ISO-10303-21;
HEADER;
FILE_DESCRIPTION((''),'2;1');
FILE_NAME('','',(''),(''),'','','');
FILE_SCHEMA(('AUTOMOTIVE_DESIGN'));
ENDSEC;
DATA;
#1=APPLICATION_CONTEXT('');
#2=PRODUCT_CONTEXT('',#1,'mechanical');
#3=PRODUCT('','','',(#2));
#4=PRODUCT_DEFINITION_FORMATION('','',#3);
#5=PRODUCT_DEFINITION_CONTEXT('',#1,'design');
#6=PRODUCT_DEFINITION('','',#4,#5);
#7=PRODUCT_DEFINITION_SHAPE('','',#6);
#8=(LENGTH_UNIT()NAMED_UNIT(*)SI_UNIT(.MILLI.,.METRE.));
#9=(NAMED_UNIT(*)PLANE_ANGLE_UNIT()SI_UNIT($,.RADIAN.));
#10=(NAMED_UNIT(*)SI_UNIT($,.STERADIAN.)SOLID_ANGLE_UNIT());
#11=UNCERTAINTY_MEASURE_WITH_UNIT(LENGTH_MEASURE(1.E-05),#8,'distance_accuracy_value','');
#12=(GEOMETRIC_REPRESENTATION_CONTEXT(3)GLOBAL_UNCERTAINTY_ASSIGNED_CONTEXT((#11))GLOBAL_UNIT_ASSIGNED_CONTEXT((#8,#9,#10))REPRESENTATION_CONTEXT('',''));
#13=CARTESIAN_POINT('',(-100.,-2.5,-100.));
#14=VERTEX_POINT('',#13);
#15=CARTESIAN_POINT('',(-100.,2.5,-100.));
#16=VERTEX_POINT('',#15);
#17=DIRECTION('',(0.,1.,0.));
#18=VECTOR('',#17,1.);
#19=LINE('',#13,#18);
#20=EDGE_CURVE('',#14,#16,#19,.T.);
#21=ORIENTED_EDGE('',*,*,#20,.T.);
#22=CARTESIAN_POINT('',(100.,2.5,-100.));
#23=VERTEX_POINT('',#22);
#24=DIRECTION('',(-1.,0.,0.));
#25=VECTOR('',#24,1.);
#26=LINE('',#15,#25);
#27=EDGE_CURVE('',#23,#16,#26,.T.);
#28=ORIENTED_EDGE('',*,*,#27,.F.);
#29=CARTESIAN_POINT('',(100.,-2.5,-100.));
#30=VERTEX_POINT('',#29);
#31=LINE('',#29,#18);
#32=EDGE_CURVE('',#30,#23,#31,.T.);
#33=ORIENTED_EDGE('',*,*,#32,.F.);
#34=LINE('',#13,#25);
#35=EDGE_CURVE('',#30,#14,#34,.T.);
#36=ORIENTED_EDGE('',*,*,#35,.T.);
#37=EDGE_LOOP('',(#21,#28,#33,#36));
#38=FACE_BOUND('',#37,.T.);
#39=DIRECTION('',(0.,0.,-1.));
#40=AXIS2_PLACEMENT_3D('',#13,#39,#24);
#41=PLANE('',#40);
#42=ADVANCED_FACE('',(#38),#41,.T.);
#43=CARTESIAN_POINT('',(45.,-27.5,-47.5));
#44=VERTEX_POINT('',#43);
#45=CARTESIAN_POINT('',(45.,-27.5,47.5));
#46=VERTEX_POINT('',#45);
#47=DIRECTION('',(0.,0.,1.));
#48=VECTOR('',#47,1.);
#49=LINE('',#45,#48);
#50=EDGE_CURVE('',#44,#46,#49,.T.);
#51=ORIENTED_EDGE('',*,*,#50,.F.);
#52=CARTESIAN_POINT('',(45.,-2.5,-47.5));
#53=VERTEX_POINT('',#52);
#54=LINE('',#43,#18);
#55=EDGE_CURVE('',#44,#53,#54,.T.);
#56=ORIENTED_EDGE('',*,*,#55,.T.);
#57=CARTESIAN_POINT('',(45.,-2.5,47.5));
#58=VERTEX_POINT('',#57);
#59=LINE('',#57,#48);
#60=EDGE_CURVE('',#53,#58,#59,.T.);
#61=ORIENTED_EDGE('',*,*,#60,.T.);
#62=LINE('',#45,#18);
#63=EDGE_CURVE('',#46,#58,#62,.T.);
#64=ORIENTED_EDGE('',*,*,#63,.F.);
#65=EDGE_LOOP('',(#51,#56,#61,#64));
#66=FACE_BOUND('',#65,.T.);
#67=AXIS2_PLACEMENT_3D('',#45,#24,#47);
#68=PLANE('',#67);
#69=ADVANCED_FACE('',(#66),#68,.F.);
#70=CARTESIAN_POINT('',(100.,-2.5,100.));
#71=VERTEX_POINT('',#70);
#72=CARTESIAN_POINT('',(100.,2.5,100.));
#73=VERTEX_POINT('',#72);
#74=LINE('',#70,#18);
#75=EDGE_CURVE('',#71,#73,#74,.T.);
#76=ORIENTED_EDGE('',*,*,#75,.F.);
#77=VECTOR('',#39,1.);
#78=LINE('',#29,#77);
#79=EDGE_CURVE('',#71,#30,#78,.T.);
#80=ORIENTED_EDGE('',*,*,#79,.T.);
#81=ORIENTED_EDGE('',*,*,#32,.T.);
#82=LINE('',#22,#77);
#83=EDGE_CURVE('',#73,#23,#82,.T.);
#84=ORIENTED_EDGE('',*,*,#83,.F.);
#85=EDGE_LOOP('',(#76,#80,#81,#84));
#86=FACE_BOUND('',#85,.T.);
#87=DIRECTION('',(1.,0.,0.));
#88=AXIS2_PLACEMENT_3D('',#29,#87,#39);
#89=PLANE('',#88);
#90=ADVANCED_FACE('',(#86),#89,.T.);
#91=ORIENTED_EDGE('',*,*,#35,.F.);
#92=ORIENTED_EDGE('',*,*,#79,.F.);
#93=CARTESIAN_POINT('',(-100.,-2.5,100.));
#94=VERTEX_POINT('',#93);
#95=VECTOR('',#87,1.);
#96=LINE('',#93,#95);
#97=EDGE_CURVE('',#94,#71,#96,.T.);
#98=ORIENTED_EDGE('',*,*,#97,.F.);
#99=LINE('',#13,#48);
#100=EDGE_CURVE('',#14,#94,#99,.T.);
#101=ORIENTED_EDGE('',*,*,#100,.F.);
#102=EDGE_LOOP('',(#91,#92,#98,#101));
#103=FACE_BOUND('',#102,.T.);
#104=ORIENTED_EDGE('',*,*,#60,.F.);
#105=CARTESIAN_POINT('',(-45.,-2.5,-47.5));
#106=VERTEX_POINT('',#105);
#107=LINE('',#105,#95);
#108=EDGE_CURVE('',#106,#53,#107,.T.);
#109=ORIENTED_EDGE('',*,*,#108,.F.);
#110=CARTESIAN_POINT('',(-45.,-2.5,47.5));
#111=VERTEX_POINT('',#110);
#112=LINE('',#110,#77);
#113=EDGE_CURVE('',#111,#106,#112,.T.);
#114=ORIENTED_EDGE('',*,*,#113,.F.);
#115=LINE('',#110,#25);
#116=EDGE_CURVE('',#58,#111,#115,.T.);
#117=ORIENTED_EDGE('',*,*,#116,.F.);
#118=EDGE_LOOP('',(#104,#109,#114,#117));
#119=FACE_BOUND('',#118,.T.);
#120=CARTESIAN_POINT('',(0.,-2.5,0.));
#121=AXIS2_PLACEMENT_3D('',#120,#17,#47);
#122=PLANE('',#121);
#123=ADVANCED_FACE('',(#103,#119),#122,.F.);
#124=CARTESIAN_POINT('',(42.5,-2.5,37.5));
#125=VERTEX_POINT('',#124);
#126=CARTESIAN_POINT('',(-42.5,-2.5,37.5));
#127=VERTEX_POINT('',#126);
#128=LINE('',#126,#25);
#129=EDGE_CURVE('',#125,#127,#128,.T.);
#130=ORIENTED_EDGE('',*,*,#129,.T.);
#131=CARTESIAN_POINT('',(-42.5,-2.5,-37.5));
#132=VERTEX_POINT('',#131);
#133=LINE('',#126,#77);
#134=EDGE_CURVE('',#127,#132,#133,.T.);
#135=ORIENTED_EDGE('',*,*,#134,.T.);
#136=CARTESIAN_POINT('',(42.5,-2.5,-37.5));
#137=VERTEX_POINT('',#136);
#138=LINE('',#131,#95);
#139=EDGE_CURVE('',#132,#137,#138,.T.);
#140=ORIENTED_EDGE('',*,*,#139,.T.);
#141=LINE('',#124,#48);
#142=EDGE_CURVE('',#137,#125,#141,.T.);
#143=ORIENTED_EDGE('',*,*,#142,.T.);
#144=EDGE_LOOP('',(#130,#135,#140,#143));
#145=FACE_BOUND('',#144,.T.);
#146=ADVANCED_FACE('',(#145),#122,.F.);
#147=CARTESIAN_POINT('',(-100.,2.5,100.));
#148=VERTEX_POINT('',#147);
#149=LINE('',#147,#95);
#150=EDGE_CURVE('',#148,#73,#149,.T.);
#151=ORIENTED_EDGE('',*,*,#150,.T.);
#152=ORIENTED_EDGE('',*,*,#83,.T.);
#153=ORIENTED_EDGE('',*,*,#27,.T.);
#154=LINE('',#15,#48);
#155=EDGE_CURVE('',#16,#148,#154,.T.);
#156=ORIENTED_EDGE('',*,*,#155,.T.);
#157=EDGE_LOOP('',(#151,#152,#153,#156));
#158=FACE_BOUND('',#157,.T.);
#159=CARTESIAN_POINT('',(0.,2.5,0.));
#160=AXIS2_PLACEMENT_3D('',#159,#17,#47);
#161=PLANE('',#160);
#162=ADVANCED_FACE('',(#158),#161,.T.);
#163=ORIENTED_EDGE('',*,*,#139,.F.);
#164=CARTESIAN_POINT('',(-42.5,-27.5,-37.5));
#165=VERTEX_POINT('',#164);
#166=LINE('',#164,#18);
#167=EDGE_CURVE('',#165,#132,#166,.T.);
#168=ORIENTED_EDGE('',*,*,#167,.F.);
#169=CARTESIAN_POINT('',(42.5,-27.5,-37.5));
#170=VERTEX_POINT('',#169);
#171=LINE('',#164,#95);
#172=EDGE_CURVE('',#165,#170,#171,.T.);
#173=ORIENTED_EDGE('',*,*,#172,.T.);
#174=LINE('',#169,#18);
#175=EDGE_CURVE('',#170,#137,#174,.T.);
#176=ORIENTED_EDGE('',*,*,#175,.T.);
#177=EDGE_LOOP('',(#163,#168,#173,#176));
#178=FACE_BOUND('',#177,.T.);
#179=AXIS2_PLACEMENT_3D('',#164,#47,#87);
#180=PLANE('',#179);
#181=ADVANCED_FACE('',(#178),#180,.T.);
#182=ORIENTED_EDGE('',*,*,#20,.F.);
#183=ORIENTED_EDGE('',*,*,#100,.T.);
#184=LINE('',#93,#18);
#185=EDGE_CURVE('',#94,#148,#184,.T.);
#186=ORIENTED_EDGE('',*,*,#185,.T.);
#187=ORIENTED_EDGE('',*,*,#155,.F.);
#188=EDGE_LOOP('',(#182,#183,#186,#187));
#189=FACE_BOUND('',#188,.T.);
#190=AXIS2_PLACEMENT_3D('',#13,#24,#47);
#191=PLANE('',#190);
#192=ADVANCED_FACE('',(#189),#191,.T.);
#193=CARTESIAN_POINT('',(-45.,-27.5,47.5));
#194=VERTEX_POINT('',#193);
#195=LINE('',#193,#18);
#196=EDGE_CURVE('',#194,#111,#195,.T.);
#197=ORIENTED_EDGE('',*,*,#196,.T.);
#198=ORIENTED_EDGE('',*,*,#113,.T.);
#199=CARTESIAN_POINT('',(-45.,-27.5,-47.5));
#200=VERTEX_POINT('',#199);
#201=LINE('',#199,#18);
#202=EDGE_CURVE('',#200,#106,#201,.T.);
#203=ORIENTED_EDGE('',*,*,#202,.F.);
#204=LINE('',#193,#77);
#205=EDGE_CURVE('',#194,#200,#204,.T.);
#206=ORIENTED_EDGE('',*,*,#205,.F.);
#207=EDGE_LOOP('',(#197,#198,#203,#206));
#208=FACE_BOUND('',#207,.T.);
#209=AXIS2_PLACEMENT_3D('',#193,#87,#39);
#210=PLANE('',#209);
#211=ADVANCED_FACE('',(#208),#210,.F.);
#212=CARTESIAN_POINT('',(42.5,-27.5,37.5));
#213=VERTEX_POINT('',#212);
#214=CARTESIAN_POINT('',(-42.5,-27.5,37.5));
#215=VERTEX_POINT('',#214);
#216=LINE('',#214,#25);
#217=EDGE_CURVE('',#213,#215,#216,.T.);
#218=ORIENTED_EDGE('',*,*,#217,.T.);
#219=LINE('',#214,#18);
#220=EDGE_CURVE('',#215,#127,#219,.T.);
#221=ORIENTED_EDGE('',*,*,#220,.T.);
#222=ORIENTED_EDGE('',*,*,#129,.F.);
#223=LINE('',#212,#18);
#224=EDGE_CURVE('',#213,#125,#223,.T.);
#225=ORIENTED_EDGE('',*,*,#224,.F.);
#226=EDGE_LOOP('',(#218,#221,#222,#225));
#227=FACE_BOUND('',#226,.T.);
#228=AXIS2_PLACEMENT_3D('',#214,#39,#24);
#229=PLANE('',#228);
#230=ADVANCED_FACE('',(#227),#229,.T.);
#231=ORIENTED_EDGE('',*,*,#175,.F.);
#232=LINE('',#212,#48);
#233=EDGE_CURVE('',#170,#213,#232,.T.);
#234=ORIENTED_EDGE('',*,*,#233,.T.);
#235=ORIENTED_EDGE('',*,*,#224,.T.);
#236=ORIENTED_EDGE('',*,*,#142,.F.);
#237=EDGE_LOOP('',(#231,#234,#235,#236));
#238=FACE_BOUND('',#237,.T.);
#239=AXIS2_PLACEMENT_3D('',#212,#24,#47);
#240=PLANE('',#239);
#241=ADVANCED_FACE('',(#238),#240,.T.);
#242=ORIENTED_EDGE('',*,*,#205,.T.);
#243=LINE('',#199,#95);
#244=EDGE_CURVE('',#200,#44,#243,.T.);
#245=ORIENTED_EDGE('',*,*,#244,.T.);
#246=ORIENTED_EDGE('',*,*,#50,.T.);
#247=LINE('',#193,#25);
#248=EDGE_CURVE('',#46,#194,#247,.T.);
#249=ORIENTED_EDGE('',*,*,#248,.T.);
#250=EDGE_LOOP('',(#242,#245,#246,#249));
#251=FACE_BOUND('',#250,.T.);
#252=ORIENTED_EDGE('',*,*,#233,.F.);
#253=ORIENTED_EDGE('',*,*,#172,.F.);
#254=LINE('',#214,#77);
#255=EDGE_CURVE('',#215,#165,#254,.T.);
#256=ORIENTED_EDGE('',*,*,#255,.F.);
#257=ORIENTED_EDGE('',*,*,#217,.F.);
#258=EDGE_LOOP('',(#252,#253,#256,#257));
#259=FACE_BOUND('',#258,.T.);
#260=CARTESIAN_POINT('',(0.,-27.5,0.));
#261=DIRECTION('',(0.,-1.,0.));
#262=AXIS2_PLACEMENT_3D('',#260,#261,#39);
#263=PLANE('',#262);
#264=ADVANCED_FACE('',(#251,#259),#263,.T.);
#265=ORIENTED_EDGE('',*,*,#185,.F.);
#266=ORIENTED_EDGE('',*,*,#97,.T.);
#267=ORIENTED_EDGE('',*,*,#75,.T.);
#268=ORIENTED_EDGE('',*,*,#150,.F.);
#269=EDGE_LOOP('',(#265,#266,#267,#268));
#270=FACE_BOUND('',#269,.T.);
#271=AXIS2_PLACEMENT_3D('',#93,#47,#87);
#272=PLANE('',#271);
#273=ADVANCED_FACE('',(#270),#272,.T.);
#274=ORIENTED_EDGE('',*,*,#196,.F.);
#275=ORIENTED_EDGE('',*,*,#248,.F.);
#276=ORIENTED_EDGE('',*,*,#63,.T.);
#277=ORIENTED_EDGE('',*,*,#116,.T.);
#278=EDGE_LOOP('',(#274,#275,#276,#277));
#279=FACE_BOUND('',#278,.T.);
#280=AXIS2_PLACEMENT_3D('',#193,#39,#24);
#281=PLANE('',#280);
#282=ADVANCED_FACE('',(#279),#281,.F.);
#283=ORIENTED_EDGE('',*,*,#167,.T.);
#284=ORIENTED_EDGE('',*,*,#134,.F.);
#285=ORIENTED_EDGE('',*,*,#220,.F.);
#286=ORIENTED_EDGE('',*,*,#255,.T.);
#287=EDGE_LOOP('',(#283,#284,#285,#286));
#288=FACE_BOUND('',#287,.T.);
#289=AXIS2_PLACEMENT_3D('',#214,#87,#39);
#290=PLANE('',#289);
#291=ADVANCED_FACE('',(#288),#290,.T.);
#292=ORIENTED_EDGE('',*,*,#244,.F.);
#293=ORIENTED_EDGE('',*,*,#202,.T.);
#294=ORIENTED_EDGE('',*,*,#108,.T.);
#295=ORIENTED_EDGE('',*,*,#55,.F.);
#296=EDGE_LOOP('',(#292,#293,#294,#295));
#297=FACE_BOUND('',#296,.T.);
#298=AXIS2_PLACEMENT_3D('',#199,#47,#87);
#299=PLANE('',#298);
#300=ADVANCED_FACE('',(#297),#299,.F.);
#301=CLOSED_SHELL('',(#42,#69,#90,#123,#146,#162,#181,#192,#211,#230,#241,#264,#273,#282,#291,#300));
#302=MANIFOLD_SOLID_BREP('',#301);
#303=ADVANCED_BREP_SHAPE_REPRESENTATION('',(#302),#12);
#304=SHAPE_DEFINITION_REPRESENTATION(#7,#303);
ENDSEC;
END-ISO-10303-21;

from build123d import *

# Parameters (mm, degrees)
BASE_DEPTH          = 2.5
BASE_DEPTH_BACK     = 2.5
SKETCH1_W           = 200
SKETCH1_H           = 200
SKETCH2_W           = 90
SKETCH2_H           = 95
SKETCH2_W_2         = 85
SKETCH2_H_2         = 75
BATTERYHOLDER_DEPTH = 25


with BuildPart() as part:
    # Sketch1 → Base (new, two sides: drawn at the far end of the back side and taken through both)
    with BuildSketch(Plane(origin=(0, 0, 0), x_dir=(1, 0, 0), z_dir=(0, 1, 0)).offset(-BASE_DEPTH_BACK)):
        Rectangle(SKETCH1_W, SKETCH1_H)
    extrude(amount=BASE_DEPTH + BASE_DEPTH_BACK)

    # Sketch2 → BatteryHolder (add)
    with BuildSketch(Plane(origin=(0, -2.5, 0), x_dir=(-1, 0, 0), z_dir=(0, -1, 0))):
        Rectangle(SKETCH2_W, SKETCH2_H)
        Rectangle(SKETCH2_W_2, SKETCH2_H_2, mode=Mode.SUBTRACT)
    extrude(amount=BATTERYHOLDER_DEPTH)


solid = part.part
